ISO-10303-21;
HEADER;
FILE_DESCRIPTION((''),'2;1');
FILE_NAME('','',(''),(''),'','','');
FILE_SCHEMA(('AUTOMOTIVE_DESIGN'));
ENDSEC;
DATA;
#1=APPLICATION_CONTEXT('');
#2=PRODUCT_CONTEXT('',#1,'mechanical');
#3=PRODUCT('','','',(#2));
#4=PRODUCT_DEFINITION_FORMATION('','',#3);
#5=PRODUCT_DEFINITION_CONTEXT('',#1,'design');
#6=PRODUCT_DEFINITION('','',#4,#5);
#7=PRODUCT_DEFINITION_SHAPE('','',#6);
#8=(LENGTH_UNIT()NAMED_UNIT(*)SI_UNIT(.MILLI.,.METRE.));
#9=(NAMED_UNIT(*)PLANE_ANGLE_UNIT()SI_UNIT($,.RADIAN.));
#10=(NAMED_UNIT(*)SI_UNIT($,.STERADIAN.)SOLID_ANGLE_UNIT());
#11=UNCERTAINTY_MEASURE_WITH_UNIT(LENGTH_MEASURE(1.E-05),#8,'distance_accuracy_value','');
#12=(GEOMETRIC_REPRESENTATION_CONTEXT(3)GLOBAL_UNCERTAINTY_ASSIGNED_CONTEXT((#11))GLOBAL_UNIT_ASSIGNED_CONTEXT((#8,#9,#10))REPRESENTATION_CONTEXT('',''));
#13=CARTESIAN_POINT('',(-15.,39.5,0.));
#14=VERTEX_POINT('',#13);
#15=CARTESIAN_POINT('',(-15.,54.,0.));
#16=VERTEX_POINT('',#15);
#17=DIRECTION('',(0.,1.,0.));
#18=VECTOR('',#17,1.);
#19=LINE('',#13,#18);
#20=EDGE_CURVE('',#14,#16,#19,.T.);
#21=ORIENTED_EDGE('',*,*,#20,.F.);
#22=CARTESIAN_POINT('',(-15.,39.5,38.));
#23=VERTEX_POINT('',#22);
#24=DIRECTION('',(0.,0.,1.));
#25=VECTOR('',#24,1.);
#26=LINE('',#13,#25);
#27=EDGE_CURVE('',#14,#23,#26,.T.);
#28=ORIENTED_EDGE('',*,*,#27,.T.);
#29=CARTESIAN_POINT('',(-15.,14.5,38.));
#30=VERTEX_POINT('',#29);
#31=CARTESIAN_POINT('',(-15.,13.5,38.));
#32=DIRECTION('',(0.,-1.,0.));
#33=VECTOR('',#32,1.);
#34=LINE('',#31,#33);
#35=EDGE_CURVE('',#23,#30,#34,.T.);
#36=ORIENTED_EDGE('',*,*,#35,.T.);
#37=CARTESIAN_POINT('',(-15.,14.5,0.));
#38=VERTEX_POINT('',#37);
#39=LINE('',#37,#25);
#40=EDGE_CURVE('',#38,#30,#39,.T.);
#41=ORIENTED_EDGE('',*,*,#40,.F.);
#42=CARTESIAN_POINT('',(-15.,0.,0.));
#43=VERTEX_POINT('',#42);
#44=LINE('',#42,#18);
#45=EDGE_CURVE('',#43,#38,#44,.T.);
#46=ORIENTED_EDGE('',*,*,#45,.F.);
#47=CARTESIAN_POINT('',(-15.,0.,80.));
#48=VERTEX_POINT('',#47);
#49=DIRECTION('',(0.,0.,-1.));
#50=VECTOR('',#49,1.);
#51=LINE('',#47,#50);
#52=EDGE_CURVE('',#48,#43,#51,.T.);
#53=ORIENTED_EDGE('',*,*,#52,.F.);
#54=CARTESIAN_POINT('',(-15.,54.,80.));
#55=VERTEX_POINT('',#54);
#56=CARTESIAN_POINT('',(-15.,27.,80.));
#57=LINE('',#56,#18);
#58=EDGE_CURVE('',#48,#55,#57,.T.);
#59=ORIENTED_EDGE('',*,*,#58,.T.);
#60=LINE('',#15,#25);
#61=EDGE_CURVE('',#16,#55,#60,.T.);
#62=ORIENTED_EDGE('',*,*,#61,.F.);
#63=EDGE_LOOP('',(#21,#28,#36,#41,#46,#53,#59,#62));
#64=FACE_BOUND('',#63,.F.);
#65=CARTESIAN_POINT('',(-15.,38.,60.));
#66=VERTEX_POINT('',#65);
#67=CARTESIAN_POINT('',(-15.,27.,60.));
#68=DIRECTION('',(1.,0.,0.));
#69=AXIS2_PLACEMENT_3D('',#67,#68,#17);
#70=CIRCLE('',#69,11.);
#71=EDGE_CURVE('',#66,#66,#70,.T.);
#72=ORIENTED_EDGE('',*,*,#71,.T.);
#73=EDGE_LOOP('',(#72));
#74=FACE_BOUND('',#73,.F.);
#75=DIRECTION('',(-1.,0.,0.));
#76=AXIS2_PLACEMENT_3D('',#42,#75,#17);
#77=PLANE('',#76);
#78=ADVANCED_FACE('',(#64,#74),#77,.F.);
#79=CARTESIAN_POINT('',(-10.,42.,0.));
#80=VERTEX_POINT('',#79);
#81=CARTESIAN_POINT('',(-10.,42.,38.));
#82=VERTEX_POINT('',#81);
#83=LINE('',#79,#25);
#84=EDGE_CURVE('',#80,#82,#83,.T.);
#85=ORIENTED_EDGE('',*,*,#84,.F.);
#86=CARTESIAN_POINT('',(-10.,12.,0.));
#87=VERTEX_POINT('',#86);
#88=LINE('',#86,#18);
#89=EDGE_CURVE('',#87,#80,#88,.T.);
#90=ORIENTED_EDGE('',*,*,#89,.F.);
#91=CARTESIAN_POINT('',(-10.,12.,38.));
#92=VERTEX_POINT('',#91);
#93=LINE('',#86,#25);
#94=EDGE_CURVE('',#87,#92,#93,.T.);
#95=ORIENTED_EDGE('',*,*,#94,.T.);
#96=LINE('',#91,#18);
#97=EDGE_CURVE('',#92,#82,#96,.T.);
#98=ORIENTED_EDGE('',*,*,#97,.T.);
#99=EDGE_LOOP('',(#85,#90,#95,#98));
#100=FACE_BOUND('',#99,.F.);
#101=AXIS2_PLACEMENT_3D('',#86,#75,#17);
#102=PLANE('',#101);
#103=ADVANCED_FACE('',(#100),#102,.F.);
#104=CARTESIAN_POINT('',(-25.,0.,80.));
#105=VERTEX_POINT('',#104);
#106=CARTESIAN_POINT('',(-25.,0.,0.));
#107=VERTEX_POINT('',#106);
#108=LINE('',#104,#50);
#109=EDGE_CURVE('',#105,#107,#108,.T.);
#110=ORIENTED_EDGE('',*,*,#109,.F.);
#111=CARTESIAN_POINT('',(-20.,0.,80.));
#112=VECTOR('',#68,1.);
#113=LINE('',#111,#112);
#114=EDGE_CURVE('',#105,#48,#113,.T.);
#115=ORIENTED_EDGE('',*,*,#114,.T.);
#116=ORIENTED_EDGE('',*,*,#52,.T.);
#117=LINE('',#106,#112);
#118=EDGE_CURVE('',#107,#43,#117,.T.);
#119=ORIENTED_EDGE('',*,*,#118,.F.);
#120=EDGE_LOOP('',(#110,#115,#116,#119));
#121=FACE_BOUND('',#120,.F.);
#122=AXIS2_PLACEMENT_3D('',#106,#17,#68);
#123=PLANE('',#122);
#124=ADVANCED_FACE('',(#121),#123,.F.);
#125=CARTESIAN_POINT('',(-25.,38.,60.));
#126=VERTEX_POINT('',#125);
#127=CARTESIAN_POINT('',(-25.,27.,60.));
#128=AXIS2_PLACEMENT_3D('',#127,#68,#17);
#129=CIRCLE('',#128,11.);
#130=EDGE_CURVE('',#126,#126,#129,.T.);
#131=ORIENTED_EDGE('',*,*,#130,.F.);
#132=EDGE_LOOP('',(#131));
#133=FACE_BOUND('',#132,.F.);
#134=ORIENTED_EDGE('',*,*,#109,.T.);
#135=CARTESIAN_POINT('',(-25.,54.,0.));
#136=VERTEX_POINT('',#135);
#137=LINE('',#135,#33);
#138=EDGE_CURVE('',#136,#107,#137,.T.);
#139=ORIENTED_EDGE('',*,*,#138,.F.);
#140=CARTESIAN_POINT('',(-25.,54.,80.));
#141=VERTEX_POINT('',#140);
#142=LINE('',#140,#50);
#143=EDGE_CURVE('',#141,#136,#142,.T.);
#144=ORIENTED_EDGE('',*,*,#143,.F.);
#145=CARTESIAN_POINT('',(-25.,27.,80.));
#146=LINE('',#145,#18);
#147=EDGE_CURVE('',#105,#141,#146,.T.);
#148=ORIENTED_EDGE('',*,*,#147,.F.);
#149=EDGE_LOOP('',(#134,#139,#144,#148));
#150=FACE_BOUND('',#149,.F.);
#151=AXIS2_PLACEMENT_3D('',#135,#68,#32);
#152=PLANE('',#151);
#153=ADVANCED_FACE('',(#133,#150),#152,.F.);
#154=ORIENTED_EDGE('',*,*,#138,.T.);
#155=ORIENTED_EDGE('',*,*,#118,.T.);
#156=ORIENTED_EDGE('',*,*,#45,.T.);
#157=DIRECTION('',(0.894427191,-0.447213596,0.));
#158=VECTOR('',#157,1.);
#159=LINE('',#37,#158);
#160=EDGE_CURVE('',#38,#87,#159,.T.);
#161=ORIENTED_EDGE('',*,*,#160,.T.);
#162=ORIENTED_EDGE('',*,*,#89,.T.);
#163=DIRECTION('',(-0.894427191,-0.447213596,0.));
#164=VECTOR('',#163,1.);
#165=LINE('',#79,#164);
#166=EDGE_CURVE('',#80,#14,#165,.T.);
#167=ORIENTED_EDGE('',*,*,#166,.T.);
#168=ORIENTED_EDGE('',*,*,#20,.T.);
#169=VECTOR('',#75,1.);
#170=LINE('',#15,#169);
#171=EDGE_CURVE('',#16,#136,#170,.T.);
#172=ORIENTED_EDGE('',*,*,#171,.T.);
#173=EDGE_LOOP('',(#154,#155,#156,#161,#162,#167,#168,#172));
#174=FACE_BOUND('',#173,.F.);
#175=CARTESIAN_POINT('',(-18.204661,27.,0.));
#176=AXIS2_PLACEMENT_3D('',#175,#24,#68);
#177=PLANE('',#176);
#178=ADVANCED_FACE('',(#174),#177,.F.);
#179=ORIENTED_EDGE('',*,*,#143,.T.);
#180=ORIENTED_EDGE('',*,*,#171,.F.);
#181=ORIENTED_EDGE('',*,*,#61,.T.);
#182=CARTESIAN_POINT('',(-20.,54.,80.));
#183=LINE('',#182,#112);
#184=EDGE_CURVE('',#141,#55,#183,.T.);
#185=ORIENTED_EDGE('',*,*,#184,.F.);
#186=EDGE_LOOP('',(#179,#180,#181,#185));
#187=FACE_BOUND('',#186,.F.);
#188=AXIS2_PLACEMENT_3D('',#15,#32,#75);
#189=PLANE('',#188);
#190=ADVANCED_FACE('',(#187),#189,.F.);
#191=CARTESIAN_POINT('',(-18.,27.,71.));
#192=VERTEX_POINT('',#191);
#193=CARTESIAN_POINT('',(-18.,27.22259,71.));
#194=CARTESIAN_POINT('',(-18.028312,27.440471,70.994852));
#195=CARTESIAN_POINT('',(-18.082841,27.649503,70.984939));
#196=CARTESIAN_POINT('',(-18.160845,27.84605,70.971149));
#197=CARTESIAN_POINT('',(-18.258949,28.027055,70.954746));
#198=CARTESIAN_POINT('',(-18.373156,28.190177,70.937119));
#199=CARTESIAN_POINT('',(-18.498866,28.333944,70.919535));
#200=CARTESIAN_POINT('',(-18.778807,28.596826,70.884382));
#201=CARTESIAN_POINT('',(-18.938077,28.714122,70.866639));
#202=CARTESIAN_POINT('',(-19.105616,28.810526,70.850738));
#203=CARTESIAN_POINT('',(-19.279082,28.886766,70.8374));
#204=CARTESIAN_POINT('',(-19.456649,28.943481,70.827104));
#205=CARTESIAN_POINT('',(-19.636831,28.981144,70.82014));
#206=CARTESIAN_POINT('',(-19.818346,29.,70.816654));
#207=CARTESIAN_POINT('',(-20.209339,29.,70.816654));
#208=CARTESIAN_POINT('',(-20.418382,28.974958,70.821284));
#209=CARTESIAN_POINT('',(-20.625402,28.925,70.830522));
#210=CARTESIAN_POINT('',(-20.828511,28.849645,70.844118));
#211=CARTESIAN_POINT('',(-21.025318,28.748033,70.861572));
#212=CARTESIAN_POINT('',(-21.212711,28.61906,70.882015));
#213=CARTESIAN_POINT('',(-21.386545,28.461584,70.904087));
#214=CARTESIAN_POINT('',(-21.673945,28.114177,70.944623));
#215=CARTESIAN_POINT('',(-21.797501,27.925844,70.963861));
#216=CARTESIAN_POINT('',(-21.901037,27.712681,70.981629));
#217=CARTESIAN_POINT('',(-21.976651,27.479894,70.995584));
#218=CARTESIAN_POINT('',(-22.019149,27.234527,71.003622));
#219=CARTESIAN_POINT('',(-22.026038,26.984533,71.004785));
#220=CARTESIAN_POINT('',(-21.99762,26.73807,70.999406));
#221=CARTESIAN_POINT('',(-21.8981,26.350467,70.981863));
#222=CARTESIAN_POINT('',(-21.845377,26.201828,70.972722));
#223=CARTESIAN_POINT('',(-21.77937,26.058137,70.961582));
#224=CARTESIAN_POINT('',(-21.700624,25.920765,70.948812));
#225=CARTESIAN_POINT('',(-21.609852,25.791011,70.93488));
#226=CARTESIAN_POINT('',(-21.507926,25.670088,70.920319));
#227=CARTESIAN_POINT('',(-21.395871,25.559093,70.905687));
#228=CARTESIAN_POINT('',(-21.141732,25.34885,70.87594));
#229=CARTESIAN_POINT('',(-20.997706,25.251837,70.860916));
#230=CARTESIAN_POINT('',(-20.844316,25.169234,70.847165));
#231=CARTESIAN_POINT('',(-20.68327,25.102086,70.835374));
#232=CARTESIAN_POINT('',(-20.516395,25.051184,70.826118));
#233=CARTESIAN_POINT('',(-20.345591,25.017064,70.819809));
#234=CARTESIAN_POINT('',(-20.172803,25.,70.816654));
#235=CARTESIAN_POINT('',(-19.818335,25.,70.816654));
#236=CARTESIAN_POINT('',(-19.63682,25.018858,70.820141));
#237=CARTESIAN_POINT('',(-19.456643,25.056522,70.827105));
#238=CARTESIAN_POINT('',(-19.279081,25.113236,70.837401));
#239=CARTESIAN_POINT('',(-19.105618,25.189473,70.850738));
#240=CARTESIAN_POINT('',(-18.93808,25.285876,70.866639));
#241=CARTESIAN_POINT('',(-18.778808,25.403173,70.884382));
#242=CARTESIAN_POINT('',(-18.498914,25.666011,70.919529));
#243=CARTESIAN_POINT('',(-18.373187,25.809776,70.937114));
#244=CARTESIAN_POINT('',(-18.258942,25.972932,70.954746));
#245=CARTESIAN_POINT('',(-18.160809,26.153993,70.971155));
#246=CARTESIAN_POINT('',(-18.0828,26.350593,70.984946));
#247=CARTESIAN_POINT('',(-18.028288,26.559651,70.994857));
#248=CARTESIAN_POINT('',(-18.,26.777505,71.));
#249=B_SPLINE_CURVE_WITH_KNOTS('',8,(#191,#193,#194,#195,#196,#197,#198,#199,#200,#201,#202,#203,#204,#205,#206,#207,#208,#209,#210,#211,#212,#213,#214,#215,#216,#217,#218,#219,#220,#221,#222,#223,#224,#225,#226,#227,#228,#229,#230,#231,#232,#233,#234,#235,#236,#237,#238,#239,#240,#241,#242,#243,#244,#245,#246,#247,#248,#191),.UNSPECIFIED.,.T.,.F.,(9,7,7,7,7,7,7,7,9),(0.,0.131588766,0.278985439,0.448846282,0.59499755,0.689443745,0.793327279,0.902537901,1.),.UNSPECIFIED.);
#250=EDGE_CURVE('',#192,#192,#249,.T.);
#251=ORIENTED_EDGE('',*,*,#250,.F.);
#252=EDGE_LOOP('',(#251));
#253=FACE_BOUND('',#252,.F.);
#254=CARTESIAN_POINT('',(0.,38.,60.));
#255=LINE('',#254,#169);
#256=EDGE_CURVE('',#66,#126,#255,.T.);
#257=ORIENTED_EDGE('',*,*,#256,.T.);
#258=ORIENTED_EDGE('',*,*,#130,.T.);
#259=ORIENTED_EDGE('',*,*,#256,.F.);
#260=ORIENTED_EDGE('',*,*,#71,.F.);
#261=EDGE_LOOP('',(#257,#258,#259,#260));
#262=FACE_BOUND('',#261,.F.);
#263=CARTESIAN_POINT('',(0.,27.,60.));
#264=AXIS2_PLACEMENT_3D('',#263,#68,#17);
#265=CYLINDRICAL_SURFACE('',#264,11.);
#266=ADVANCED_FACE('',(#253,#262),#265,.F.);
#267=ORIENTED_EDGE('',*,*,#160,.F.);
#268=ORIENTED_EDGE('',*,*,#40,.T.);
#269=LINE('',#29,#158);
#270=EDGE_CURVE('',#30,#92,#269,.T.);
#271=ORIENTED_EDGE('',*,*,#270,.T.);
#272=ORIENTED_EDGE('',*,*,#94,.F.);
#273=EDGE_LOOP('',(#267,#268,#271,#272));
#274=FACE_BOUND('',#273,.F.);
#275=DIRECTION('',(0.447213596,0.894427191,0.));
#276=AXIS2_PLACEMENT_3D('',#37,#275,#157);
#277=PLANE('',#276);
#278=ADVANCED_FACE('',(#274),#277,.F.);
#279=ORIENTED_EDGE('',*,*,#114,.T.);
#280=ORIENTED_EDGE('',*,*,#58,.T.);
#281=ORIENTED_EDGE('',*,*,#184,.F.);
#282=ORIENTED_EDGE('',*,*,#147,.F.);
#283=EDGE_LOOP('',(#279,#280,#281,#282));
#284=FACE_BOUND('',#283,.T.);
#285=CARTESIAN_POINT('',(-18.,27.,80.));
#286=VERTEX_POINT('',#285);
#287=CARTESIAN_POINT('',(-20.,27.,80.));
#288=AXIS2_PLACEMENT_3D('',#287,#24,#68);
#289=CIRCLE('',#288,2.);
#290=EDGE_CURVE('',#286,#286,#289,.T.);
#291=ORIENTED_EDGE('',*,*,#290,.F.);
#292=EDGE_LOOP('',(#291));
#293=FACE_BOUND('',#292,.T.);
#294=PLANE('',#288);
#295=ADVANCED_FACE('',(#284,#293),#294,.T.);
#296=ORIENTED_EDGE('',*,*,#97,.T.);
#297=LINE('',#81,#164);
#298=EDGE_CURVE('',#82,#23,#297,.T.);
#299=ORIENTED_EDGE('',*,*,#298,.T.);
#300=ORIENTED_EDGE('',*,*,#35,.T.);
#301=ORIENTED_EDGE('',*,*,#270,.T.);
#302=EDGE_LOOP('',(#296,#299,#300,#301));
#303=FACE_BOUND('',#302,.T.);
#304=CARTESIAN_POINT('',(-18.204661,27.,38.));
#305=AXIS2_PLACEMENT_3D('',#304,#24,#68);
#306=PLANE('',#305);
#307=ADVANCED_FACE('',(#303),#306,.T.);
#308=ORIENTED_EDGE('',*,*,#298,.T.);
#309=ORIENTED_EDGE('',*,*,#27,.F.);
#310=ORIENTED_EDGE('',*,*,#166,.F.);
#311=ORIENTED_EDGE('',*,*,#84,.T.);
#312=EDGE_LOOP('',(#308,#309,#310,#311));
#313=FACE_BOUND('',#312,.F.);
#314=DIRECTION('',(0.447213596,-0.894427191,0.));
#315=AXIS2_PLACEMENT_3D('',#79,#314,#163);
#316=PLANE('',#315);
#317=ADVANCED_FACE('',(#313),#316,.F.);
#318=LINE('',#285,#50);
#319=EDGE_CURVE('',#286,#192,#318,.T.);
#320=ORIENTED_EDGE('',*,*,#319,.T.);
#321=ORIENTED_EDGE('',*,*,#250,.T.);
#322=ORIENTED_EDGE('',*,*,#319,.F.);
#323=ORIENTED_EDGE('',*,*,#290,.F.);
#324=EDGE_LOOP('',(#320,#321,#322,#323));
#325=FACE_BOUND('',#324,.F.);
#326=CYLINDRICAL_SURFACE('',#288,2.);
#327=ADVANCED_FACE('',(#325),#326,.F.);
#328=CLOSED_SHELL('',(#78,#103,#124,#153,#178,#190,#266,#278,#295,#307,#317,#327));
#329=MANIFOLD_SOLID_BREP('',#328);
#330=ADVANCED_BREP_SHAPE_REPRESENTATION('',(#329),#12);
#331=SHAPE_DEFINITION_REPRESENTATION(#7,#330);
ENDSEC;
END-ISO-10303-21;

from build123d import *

# Parameters (mm, degrees)
PAD_DEPTH       = 38
SKETCH_W        = 10
SKETCH_H        = 54
PAD001_DEPTH    = 80
SKETCH002_R     = 11
POCKET_DEPTH    = 25.001
SKETCH003_R     = 2
POCKET001_DEPTH = 10


with BuildPart() as part:
    # Sketch001 → Pad (new body)
    with BuildSketch(Plane.XY):
        Polygon((-15, 0), (-15, 14.5), (-10, 12), (-10, 42), (-15, 39.5), (-15, 54), (-25, 54), (-25, 0), align=None)
    extrude(amount=PAD_DEPTH)

    # Sketch → Pad001 (join)
    with BuildSketch(Plane.XY):
        with Locations((-20, 27)):
            Rectangle(SKETCH_W, SKETCH_H)
    extrude(amount=PAD001_DEPTH)

    # Sketch002 → Pocket (cut, through all)
    with BuildSketch(Plane.YZ):
        with Locations((27, 60)):
            Circle(SKETCH002_R)
    extrude(amount=-POCKET_DEPTH, mode=Mode.SUBTRACT)

    # Sketch003 → Pocket001 (cut)
    with BuildSketch(Plane.XY.offset(80)):
        with Locations((-20, 27)):
            Circle(SKETCH003_R)
    extrude(amount=-POCKET001_DEPTH, mode=Mode.SUBTRACT)


solid = part.part
